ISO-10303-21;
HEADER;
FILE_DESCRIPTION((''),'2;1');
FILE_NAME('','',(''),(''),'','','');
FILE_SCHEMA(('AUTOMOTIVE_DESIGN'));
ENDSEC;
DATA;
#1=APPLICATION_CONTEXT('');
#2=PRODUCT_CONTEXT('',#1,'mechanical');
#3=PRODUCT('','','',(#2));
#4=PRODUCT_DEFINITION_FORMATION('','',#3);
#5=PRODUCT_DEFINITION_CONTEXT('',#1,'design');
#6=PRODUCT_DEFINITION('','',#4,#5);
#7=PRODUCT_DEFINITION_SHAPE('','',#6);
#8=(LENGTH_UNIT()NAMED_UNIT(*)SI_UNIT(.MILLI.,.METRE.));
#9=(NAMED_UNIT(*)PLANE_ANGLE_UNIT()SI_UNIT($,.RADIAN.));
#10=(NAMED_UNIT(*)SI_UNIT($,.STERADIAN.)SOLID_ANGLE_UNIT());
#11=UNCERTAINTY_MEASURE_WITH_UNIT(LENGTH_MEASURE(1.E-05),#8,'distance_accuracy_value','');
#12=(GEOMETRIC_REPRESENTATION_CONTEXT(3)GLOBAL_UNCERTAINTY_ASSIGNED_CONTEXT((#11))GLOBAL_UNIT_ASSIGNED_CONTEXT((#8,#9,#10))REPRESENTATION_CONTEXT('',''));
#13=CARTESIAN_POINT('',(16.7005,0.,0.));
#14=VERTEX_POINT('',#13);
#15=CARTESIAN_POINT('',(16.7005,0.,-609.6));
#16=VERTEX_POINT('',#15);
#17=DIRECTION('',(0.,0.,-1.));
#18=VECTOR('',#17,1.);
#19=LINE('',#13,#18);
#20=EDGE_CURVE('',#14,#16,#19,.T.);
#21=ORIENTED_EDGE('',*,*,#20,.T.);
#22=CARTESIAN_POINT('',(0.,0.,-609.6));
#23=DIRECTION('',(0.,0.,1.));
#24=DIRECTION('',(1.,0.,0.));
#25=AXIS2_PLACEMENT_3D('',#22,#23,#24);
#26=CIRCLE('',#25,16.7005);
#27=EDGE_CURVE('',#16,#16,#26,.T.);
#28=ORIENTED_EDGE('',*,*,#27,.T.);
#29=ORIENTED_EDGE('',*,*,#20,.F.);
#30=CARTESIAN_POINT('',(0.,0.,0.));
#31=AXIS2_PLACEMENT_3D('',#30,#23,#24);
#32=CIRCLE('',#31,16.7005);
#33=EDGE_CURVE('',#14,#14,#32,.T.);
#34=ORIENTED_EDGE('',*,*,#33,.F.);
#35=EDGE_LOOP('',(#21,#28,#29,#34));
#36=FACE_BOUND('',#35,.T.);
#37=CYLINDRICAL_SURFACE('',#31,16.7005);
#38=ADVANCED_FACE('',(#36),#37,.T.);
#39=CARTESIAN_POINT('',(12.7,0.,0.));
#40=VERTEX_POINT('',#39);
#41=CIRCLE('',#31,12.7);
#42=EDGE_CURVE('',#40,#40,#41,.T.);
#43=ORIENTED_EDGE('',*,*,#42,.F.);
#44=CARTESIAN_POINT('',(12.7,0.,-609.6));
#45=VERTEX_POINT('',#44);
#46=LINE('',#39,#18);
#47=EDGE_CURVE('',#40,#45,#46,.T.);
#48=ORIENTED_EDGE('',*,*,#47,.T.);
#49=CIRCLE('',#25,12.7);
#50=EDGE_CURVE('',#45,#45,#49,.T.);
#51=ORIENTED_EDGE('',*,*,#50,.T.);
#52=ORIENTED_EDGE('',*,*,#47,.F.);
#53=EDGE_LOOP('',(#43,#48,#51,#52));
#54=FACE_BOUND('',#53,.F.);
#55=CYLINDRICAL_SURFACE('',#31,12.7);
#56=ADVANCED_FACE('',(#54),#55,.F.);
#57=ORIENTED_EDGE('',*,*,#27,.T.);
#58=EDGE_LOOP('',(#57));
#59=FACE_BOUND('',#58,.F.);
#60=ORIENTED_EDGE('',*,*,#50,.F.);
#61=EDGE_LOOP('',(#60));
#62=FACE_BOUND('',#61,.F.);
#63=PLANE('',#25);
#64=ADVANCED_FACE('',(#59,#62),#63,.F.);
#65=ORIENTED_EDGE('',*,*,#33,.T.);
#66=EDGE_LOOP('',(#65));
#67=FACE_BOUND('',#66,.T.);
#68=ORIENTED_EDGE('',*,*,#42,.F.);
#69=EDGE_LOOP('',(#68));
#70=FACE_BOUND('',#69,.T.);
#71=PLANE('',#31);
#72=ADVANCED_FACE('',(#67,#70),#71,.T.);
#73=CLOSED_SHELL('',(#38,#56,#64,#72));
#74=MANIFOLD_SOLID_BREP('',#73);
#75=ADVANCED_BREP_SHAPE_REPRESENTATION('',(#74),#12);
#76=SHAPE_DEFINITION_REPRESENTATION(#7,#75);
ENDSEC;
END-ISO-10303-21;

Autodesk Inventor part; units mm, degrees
ref_plane "YZ Plane" through (0, 0, 0) normal (1, 0, 0) x (0, 1, 0)
ref_plane "XZ Plane" through (0, 0, 0) normal (0, 1, 0) x (-1, 0, 0)
ref_plane "XY Plane" through (0, 0, 0) normal (0, 0, 1) x (1, 0, 0)
sketch "Sketch1" plane through (0, 0, 0) normal (0, 0, 1) x (1, 0, 0)
  circle A0 centre (0, 0) radius 16.7005
  circle A1 centre (0, 0) radius 12.7
  dimension "d0" = 33.401
  dimension "d1" = 25.4
extrude "Extrusion1" add sketch "Sketch1" against normal blind 609.6
properties part number "Euph Pipe 1"
